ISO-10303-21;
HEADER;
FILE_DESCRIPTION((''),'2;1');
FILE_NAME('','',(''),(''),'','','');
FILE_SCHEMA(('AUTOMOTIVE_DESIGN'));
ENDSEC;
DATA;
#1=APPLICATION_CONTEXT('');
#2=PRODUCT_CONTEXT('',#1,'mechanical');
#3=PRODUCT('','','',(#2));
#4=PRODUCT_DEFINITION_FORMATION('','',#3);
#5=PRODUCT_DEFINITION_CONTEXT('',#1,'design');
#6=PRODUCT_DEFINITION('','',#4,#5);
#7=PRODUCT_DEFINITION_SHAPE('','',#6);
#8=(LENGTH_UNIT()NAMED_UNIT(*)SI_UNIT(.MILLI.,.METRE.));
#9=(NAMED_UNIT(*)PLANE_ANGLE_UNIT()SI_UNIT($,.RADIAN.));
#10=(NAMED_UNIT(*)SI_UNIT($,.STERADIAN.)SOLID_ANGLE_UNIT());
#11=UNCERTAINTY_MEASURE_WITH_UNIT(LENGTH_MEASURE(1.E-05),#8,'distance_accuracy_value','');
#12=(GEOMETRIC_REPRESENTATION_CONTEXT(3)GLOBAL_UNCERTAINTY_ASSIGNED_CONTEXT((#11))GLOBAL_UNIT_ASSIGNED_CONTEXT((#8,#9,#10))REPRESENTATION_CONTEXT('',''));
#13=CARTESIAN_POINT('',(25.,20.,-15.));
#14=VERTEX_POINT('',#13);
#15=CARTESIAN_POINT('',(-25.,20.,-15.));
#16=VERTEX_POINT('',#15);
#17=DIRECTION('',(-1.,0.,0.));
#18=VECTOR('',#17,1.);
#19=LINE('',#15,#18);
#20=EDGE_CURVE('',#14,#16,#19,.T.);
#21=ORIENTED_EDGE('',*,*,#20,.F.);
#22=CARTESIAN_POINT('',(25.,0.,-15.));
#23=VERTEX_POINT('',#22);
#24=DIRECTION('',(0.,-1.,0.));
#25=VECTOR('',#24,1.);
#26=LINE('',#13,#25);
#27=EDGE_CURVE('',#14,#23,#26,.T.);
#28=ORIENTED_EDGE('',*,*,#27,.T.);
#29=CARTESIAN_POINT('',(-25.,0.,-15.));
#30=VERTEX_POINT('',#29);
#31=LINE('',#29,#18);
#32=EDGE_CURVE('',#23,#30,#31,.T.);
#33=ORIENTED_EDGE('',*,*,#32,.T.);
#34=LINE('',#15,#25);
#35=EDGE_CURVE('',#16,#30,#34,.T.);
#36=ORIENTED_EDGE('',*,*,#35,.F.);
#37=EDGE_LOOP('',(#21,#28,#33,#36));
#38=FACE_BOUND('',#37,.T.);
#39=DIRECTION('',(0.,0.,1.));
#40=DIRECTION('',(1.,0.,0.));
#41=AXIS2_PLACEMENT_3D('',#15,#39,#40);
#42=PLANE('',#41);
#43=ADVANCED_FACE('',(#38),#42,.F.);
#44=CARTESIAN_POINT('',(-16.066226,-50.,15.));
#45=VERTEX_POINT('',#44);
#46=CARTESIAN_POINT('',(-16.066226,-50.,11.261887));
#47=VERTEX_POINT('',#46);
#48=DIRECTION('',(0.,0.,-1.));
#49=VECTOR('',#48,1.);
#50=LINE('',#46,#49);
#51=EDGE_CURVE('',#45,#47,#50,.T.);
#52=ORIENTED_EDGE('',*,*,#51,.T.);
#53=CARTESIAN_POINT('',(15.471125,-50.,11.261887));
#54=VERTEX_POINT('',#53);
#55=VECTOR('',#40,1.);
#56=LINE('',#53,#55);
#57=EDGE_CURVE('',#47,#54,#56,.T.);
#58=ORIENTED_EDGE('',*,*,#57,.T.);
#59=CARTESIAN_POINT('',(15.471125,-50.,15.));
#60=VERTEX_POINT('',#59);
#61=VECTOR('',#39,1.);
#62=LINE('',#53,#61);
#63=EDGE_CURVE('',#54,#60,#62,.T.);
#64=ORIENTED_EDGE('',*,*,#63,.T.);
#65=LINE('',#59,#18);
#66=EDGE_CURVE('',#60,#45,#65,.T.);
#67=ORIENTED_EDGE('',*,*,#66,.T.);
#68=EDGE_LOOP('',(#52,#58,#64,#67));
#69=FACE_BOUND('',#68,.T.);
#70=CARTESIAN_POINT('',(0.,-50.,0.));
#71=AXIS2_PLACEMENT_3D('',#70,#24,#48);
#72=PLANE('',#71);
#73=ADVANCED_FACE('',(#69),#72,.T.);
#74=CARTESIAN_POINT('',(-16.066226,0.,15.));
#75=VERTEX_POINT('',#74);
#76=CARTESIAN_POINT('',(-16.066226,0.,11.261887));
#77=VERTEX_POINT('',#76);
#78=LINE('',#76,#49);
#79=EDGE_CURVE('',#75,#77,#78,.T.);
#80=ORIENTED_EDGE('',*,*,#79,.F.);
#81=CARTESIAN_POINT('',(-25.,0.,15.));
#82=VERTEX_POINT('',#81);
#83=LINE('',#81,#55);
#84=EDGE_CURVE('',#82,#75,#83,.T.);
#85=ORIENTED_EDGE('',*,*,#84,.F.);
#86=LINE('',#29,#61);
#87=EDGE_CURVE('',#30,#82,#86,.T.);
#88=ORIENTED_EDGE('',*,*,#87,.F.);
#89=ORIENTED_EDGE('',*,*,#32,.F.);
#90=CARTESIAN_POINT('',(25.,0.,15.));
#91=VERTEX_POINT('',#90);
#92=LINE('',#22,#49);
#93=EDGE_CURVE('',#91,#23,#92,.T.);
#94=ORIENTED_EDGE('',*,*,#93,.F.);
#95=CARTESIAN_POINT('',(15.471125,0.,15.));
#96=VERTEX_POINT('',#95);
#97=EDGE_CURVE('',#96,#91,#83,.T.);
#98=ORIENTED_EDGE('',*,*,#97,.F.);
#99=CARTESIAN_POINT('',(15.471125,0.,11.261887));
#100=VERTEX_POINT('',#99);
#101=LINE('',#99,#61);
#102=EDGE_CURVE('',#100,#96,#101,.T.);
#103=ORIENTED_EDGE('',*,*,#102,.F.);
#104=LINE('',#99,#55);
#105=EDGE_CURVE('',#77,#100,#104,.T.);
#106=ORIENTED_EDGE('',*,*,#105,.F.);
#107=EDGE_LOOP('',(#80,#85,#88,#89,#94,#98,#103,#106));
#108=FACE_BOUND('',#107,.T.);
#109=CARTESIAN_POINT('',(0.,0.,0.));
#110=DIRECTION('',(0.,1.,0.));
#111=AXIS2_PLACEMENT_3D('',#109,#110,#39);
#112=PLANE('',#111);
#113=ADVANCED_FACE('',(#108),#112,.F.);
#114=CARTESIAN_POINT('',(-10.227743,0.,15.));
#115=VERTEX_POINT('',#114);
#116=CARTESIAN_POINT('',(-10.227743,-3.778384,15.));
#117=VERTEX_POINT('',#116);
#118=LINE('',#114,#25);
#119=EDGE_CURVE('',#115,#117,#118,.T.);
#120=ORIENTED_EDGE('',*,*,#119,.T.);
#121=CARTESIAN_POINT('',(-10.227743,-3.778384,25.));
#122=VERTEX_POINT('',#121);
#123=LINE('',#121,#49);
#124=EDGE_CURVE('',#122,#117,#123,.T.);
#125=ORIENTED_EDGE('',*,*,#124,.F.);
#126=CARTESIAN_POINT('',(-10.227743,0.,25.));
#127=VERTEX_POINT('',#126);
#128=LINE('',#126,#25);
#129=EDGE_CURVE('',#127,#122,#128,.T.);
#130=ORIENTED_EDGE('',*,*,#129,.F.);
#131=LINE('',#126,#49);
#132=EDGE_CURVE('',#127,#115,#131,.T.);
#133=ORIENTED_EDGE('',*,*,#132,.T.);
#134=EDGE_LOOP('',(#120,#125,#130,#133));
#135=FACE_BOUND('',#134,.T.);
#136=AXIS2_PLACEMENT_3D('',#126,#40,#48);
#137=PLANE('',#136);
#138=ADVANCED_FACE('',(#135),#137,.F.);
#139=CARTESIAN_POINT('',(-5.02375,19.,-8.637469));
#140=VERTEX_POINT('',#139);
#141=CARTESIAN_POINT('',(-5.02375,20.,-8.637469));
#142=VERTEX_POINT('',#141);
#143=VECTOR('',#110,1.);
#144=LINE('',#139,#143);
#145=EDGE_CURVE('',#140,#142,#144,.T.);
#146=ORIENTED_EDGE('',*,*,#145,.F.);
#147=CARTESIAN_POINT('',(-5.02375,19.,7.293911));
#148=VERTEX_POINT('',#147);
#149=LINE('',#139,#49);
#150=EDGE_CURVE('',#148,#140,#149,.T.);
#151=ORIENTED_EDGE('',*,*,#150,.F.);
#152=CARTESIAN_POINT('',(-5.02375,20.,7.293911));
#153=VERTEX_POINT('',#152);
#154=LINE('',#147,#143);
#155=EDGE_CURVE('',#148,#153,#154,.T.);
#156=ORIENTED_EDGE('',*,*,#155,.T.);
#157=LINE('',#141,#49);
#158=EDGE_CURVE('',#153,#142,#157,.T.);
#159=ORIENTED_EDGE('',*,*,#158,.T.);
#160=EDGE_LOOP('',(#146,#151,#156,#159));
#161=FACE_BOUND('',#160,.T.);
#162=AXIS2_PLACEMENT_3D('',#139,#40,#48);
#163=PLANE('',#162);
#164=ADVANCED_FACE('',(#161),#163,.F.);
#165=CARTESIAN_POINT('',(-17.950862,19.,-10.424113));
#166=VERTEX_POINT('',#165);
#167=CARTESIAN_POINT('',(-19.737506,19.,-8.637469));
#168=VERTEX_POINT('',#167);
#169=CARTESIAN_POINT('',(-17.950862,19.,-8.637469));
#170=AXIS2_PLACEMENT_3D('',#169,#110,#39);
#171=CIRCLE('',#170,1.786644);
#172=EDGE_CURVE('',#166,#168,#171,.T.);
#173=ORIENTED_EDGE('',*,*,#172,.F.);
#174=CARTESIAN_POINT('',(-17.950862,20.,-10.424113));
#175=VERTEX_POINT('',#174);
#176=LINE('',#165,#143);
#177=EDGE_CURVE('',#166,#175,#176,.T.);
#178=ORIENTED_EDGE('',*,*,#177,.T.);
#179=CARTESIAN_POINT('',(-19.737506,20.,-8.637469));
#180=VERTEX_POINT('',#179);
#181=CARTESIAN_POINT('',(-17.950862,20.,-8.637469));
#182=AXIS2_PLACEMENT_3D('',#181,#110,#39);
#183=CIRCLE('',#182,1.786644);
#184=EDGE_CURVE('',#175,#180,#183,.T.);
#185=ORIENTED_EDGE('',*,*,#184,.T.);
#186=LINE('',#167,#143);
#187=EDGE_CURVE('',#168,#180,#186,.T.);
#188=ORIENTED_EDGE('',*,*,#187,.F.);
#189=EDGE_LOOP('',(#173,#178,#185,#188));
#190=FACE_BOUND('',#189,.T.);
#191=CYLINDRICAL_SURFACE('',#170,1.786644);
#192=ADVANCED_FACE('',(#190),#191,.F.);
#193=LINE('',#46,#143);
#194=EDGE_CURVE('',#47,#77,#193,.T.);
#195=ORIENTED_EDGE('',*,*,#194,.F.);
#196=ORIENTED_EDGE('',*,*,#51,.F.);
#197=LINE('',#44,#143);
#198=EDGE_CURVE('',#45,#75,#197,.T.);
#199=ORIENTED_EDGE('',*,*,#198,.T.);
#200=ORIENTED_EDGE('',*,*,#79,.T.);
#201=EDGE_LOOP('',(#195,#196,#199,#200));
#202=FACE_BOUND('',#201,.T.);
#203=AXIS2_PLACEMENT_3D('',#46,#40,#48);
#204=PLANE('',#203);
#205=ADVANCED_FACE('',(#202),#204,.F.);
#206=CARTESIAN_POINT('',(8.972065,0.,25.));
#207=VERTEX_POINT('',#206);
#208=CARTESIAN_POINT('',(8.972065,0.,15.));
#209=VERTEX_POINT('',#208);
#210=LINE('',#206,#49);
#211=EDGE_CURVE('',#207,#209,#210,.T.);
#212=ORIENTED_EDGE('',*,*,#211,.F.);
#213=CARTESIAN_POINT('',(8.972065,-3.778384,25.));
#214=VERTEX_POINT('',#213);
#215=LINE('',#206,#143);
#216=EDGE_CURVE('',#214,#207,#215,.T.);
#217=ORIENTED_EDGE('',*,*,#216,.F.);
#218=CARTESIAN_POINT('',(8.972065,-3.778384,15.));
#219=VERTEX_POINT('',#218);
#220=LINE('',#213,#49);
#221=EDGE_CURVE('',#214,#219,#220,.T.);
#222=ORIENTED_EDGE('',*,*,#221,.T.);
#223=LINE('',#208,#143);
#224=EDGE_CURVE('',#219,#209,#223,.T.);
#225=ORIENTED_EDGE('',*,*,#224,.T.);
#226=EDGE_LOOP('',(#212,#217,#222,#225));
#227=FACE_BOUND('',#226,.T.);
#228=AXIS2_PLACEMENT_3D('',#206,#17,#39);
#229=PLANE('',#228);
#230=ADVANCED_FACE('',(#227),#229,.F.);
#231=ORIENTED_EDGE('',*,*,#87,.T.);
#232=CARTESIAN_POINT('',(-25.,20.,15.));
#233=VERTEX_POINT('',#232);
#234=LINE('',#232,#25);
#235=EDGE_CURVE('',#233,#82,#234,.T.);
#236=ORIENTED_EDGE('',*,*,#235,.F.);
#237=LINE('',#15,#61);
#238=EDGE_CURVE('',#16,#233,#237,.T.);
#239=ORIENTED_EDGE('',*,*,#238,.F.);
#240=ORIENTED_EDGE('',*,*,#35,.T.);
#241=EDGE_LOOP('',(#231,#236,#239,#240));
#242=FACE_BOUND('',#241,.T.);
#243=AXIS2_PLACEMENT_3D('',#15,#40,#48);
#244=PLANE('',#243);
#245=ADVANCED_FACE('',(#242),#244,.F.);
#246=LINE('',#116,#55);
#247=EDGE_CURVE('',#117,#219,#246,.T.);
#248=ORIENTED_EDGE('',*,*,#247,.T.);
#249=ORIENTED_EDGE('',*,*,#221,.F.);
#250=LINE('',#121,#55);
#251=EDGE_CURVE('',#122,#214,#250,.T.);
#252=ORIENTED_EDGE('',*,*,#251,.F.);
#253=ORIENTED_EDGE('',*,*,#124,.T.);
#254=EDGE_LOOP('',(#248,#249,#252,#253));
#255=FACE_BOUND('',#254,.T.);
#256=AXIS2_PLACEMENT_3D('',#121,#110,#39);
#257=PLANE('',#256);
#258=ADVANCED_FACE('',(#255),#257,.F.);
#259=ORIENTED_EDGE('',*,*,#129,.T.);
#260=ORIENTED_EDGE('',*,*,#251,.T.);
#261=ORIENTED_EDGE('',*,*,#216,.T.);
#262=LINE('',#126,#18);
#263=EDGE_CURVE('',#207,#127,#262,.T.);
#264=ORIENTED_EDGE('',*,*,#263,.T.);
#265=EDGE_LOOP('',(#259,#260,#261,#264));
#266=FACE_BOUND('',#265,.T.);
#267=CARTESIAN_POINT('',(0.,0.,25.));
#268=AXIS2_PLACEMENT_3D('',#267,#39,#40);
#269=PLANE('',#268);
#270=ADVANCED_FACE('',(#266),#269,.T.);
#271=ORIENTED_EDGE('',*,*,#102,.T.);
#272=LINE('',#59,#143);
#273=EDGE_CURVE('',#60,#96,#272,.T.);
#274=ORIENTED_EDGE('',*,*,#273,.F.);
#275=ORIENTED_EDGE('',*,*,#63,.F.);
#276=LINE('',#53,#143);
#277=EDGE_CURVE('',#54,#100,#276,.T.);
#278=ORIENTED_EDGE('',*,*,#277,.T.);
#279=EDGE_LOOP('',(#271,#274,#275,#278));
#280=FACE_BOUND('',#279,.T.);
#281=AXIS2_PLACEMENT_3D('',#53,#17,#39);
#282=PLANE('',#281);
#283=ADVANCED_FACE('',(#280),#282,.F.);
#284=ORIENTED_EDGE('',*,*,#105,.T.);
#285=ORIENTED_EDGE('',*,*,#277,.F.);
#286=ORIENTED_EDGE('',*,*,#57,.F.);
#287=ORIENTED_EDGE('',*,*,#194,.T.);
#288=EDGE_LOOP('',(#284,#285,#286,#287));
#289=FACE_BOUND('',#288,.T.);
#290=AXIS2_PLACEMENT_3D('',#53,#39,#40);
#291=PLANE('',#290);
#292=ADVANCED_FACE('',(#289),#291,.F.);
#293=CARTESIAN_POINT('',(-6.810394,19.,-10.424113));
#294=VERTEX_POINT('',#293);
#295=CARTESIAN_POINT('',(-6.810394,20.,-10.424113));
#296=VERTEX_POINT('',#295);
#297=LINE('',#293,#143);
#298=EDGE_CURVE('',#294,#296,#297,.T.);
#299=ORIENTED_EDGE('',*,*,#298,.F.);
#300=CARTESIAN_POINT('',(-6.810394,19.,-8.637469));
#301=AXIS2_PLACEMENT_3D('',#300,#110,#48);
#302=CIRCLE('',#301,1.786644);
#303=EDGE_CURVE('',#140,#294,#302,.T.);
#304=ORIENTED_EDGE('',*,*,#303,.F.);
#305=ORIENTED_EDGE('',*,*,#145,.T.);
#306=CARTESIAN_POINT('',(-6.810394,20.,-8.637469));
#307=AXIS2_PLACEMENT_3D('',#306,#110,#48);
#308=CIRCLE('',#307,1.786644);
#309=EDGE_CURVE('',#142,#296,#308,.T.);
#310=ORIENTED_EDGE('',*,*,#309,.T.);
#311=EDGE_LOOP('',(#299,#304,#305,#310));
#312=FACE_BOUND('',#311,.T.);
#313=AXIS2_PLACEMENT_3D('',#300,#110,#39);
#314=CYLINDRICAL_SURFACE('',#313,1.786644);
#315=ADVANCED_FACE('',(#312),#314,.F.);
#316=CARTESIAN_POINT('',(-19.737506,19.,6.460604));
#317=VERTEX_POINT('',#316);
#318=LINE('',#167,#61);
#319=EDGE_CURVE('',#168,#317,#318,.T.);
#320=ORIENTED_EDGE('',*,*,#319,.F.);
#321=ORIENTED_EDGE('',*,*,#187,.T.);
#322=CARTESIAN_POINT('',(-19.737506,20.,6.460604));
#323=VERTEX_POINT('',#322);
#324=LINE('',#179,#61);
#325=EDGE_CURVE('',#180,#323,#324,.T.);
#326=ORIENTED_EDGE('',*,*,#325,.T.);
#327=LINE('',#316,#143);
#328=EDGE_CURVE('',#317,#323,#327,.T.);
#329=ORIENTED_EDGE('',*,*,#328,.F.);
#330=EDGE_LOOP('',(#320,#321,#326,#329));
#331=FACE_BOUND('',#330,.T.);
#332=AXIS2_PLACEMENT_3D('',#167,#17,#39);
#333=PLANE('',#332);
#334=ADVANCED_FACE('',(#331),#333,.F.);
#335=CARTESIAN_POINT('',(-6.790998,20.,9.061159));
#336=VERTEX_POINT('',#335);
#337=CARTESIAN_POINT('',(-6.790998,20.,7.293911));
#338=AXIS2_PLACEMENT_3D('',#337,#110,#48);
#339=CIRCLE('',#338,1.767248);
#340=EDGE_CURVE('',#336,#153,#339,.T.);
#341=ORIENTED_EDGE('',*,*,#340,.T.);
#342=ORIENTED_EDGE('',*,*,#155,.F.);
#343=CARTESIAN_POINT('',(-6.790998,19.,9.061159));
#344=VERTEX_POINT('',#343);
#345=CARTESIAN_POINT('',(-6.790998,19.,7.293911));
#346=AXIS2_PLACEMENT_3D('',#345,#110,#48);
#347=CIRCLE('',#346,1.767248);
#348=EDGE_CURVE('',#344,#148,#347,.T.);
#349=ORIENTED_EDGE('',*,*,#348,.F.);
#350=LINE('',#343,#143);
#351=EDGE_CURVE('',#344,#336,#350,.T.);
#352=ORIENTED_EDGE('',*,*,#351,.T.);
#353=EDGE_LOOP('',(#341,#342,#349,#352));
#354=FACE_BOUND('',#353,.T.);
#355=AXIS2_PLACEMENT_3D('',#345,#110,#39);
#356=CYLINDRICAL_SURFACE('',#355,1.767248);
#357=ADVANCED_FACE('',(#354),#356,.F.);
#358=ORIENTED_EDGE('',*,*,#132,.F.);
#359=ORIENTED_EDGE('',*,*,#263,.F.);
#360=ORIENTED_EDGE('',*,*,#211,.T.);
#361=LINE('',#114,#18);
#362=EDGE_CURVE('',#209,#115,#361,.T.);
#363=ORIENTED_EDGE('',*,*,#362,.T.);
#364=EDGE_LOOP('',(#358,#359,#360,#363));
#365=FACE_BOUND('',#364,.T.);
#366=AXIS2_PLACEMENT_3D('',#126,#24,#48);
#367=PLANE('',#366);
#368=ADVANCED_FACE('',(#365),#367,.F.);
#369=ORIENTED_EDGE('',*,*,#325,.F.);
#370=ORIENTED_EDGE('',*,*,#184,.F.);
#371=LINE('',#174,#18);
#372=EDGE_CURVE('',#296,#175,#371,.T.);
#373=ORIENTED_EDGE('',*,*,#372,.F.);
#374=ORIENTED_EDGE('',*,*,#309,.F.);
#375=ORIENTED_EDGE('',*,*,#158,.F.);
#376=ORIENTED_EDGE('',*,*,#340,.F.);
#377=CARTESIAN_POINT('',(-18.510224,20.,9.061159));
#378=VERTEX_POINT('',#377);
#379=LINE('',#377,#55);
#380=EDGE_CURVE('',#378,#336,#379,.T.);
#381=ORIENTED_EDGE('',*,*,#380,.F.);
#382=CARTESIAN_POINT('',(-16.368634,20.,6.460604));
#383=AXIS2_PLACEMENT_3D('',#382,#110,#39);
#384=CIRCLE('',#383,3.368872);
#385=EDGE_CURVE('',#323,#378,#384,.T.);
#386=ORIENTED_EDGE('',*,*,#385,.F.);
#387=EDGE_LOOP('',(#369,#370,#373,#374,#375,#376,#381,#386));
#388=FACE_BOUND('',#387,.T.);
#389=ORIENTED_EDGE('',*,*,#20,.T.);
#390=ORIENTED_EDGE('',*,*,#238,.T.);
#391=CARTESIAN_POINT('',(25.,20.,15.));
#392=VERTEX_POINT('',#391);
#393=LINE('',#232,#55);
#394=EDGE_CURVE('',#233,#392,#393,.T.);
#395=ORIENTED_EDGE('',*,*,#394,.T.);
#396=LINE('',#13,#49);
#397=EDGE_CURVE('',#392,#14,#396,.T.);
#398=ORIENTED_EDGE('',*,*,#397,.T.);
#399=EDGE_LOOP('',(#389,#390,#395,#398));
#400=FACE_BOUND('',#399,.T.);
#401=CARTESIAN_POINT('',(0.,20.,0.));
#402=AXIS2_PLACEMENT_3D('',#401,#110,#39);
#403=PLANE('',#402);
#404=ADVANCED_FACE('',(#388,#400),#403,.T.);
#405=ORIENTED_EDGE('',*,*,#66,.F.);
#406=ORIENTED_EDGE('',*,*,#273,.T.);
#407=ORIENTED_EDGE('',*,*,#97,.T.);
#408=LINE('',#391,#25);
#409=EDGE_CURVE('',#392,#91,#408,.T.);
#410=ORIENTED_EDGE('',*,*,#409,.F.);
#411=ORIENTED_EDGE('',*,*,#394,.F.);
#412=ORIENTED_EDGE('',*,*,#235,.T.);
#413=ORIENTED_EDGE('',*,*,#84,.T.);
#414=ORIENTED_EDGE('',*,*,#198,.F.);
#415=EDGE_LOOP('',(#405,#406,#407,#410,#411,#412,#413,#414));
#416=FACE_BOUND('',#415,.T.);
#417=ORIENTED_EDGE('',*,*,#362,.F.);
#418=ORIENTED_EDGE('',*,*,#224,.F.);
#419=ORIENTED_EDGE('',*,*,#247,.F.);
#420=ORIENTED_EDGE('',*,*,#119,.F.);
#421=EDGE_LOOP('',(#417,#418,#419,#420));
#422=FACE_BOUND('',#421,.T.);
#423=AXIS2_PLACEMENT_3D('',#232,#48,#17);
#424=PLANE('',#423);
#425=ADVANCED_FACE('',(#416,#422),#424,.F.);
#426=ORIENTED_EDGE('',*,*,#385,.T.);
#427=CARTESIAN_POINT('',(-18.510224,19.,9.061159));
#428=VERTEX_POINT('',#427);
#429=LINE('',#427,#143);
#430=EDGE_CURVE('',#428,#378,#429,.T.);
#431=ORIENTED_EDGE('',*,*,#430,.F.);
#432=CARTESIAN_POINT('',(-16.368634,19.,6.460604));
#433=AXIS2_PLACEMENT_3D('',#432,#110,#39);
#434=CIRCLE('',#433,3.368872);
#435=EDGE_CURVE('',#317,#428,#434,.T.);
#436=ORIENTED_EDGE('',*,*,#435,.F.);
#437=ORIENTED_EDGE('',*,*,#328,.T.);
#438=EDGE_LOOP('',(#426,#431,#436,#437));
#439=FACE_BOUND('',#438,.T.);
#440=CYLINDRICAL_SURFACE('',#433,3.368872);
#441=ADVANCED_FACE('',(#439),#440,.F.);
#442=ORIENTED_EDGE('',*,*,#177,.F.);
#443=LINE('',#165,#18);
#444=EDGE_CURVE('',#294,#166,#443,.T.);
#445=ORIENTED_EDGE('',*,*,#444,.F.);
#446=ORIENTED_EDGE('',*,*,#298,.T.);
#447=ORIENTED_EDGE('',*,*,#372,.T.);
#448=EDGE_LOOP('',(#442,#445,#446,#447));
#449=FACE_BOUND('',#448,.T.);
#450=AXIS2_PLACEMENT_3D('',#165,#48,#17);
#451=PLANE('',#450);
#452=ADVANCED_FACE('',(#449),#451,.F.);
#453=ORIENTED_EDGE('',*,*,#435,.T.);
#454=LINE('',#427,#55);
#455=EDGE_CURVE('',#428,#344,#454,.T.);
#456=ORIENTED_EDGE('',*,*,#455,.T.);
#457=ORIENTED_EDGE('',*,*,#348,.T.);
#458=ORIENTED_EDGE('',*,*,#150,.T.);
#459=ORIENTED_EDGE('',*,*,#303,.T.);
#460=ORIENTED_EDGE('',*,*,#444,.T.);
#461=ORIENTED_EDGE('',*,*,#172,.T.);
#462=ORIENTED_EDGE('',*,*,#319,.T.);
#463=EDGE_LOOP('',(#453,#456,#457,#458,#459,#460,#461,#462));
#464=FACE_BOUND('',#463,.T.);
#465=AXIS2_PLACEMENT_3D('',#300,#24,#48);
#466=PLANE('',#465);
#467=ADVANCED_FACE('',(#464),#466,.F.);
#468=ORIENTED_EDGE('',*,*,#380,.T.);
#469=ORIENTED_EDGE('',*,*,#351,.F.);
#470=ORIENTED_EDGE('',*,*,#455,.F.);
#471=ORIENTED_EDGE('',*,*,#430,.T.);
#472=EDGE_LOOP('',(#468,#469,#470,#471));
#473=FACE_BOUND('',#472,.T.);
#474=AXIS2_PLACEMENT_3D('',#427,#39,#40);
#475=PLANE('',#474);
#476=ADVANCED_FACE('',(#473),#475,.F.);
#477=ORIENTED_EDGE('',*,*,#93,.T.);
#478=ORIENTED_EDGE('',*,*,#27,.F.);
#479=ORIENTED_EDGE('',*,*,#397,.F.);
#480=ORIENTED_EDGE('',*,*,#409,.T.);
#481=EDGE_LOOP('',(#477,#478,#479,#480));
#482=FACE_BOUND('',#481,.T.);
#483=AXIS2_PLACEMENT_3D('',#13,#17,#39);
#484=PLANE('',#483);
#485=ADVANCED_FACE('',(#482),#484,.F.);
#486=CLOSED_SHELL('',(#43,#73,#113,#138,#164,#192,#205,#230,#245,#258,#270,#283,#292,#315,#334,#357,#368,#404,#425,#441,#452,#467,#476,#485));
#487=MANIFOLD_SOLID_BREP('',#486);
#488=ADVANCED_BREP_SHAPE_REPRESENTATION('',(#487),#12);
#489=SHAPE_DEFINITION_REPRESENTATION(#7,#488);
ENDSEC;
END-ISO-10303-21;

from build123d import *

# Parameters (mm, degrees)
CROQUIS1_W              = 50
CROQUIS1_H              = 30
SALIENTE_EXTRUIR1_DEPTH = 20
CORTAR_EXTRUIR1_DEPTH   = 1
CROQUIS3_W              = 31.537351035
CROQUIS3_H              = 3.738113103
SALIENTE_EXTRUIR2_DEPTH = 50
CROQUIS4_W              = 19.19980798
CROQUIS4_H              = 3.778383676
SALIENTE_EXTRUIR3_DEPTH = 10


with BuildPart() as part:
    # Croquis1 → Saliente-Extruir1 (new body)
    with BuildSketch(Plane(origin=(0, 0, 0), x_dir=(1, 0, 0), z_dir=(0, 1, 0))):
        Rectangle(CROQUIS1_W, CROQUIS1_H)
    extrude(amount=SALIENTE_EXTRUIR1_DEPTH)

    # Croquis2 → Cortar-Extruir1 (cut)
    with BuildSketch(Plane(origin=(0, 20, 0), x_dir=(1, 0, 0), z_dir=(0, 1, 0))):
        with BuildLine():
            Line((-17.950861779, 10.424113245), (-6.810393923, 10.424113245))
            ThreePointArc((-6.810393923, 10.424113245), (-5.547045664, 9.900817262), (-5.023749681, 8.637469002))
            Line((-5.023749681, 8.637469002), (-5.023749681, -7.293911131))
            ThreePointArc((-5.023749681, -7.293911131), (-5.541364738, -8.543544422), (-6.790998029, -9.061159479))
            Line((-6.790998029, -9.061159479), (-18.510223917, -9.061159479))
            ThreePointArc((-18.510223917, -9.061159479), (-19.415274859, -7.898406759), (-19.737506021, -6.460603513))
            Line((-19.737506021, -6.460603513), (-19.737506021, 8.637469002))
            ThreePointArc((-19.737506021, 8.637469002), (-19.214210038, 9.900817262), (-17.950861779, 10.424113245))
        make_face()
    extrude(amount=-CORTAR_EXTRUIR1_DEPTH, mode=Mode.SUBTRACT)

    # Croquis3 → Saliente-Extruir2 (add)
    with BuildSketch(Plane.XZ):
        with Locations((-0.297550373, 13.130943449)):
            Rectangle(CROQUIS3_W, CROQUIS3_H)
    extrude(amount=SALIENTE_EXTRUIR2_DEPTH)

    # Croquis4 → Saliente-Extruir3 (add)
    with BuildSketch(Plane.XY.offset(15)):
        with Locations((-0.62783913, -1.889191838)):
            Rectangle(CROQUIS4_W, CROQUIS4_H)
    extrude(amount=SALIENTE_EXTRUIR3_DEPTH)


solid = part.part
